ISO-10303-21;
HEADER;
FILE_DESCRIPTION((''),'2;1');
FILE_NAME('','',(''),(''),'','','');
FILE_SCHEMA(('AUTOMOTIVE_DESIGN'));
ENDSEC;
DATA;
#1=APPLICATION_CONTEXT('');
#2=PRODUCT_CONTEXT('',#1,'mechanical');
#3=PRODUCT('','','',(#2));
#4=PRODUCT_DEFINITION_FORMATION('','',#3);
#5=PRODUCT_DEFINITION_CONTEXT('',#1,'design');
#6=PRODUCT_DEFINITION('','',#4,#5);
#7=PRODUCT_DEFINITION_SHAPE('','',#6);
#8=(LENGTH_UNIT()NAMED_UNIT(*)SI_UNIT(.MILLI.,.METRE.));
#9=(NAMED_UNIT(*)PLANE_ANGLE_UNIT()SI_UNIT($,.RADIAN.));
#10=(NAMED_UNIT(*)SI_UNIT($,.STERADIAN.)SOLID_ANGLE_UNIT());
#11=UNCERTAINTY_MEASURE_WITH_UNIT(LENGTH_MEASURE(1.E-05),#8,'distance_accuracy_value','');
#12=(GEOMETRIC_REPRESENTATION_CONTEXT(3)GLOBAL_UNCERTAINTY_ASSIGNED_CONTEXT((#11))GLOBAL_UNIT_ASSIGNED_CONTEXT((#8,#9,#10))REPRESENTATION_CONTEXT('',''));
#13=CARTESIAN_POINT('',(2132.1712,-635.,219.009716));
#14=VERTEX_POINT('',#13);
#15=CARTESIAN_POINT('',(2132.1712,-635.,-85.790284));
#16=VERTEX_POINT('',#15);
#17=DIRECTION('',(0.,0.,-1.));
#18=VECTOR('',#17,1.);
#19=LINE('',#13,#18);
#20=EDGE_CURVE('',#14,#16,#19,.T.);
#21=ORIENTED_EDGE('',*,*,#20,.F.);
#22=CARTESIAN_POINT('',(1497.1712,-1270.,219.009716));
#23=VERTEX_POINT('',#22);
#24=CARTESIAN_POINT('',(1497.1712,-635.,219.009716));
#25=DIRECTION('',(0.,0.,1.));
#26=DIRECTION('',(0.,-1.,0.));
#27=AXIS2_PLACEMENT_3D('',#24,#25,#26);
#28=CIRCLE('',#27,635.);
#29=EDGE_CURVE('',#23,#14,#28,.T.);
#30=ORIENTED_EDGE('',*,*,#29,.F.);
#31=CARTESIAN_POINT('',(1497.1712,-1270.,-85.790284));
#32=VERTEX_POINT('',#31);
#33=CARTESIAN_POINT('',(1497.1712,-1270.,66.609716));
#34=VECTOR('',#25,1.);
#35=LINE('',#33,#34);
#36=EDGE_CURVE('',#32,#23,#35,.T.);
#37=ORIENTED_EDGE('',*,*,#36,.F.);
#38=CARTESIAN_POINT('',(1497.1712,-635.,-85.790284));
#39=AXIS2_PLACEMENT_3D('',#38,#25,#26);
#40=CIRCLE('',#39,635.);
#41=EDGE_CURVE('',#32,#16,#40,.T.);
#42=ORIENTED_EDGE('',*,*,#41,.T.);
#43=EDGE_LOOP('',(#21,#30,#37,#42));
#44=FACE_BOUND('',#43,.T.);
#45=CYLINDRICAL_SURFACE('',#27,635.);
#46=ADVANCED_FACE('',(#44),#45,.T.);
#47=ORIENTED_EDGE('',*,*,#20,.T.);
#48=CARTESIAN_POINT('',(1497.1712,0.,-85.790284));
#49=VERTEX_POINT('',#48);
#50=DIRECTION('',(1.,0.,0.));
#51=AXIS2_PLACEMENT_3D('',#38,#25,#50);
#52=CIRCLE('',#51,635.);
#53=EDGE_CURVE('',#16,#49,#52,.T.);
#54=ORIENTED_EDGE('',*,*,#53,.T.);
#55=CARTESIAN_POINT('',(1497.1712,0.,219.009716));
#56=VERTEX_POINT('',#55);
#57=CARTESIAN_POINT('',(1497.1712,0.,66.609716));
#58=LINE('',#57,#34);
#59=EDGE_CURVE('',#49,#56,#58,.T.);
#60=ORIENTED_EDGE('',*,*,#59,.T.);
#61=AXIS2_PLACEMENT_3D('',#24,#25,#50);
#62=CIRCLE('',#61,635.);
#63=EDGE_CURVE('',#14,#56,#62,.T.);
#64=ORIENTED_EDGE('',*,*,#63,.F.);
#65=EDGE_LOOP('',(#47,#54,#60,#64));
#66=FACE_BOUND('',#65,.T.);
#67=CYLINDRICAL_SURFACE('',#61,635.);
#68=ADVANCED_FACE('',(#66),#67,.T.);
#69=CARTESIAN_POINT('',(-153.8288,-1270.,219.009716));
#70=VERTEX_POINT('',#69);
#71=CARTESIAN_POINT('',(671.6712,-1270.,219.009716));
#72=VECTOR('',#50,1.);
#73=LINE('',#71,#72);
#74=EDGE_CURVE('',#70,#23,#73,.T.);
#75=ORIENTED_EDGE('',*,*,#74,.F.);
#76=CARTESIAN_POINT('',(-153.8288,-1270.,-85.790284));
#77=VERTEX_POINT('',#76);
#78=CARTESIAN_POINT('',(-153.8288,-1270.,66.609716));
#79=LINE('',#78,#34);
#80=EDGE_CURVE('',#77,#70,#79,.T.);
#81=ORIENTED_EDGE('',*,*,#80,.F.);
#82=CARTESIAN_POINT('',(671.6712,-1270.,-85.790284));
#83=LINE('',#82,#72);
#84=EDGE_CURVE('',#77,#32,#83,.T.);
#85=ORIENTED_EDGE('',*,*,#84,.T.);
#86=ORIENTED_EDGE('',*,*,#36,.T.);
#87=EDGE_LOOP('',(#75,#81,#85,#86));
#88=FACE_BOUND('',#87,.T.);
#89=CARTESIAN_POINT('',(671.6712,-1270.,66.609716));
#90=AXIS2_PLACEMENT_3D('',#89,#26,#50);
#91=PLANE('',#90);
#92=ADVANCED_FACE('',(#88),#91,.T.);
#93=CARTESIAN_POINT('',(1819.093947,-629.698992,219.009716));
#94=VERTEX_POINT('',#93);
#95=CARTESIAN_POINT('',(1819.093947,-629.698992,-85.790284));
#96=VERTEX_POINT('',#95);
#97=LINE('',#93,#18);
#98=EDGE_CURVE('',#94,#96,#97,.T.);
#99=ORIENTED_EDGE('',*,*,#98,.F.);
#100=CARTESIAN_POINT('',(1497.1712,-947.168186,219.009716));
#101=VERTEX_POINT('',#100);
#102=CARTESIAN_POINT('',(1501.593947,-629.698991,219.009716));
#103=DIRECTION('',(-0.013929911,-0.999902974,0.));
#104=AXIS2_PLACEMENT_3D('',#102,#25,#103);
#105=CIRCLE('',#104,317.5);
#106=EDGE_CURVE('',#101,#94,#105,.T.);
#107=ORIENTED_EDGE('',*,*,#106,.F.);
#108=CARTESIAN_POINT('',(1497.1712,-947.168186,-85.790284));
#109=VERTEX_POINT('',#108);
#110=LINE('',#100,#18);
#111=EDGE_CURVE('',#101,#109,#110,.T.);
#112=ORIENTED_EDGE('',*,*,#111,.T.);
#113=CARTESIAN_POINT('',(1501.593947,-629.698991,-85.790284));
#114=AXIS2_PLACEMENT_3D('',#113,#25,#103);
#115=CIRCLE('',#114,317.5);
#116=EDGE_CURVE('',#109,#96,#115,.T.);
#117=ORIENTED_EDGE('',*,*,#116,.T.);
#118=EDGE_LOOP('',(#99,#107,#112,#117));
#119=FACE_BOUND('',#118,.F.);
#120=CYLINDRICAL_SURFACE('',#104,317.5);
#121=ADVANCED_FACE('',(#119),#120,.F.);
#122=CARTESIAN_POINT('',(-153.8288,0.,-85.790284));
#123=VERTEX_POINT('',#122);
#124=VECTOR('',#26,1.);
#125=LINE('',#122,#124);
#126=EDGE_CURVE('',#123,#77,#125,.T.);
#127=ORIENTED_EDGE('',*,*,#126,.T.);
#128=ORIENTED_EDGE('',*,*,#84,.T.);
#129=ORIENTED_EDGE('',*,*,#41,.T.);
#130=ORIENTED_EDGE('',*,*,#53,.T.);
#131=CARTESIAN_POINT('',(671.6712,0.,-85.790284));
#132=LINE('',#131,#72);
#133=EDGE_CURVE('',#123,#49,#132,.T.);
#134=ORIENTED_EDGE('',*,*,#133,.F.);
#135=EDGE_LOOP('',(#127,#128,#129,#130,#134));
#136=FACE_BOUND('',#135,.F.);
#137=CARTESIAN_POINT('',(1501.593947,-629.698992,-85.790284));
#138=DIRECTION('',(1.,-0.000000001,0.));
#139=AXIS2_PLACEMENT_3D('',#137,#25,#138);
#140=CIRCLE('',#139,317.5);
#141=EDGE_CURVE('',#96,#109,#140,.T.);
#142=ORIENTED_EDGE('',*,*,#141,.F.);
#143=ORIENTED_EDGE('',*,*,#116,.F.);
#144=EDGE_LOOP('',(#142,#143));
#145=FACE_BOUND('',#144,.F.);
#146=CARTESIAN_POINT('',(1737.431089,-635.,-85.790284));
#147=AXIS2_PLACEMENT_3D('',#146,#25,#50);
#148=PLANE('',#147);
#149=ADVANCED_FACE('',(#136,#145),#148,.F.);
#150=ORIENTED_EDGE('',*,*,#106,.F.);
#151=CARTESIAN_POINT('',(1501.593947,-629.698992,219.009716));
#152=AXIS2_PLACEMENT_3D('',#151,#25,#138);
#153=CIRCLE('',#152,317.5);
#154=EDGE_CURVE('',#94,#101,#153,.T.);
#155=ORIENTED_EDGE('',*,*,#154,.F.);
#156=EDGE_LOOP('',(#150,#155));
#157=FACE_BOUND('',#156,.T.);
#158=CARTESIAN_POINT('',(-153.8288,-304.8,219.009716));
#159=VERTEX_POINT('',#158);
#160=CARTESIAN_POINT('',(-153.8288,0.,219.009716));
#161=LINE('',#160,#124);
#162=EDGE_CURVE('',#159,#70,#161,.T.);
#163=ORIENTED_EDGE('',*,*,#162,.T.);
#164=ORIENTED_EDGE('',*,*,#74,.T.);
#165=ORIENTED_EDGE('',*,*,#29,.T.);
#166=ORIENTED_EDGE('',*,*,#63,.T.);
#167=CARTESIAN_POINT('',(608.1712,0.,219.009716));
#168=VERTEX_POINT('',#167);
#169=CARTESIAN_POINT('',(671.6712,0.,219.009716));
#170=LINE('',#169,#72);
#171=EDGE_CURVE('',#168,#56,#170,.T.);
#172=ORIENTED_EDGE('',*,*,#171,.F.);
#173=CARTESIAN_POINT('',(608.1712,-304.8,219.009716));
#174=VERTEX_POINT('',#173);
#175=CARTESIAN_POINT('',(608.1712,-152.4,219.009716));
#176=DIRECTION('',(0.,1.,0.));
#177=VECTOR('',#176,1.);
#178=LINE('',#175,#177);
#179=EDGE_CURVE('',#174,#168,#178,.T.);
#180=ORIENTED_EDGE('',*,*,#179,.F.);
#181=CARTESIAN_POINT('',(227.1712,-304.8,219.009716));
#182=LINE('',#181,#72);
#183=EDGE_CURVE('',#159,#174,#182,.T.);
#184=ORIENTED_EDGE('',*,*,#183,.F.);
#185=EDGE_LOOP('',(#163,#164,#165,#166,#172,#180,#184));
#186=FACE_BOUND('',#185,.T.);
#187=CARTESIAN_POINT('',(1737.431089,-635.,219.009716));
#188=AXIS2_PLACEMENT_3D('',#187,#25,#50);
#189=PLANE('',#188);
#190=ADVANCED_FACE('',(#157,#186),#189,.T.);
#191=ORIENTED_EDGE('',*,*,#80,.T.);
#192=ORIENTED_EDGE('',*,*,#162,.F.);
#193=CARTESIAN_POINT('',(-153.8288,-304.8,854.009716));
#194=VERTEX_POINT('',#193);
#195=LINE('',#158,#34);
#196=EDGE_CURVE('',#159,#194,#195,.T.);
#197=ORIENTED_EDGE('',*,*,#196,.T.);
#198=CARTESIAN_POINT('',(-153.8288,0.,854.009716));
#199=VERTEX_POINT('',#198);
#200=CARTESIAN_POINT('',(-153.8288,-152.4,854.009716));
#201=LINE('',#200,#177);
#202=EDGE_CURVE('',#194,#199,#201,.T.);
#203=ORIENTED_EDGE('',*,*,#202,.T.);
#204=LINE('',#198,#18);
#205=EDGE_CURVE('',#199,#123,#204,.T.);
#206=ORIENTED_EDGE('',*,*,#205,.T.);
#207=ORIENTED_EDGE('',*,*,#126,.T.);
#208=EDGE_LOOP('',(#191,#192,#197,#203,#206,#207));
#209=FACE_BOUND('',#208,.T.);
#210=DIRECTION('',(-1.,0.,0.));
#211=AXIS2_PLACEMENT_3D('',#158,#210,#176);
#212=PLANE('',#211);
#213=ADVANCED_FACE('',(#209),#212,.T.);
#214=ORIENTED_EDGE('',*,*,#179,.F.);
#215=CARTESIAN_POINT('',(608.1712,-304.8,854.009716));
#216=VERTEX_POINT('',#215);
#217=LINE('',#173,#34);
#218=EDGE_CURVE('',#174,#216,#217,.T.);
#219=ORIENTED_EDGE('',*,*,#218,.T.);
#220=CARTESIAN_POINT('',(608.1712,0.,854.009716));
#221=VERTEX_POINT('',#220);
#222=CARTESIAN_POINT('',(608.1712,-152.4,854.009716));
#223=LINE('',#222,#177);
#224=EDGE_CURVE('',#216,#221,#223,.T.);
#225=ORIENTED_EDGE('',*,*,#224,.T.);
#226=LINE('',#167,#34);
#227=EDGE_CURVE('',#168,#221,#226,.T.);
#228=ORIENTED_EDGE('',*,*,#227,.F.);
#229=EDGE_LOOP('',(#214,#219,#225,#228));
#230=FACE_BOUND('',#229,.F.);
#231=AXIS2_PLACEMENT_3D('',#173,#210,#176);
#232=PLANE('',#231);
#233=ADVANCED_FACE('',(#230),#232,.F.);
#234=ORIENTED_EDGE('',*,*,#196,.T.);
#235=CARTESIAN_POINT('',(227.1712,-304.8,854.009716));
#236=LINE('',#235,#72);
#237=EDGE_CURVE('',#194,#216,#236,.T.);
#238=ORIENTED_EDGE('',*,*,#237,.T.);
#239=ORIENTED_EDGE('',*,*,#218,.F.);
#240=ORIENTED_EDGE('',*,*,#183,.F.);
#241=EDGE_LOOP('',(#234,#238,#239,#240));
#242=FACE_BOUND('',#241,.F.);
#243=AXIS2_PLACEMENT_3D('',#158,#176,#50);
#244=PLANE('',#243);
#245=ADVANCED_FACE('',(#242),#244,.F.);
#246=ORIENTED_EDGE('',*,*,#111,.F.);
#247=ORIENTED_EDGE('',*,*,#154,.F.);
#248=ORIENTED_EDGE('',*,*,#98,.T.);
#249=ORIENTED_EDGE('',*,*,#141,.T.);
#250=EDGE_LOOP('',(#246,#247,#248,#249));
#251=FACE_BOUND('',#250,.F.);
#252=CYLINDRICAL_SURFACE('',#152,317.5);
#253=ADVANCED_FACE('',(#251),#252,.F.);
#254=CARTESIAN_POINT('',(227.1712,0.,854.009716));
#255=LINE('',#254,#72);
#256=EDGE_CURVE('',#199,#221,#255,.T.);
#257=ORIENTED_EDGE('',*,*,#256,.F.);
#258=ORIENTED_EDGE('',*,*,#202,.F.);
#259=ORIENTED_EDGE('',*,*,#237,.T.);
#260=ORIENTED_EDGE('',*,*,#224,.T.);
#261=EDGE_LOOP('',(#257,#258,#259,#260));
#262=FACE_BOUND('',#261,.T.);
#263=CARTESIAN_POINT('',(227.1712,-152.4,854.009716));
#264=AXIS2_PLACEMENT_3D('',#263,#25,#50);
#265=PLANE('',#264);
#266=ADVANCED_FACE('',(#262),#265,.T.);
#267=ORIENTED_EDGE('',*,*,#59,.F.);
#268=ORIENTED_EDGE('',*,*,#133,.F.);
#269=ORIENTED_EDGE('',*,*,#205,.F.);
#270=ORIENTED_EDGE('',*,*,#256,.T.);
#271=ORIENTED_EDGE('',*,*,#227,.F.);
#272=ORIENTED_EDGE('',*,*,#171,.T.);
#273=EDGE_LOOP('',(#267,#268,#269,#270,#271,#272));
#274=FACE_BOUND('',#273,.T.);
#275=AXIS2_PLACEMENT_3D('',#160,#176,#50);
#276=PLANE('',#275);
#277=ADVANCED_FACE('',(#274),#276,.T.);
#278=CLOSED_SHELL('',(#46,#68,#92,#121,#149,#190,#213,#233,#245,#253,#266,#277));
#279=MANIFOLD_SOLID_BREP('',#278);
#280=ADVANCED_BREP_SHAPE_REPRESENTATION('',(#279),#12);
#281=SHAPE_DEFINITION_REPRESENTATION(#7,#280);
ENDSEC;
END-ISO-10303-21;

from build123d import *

# Parameters (mm, degrees)
F0_W     = 1651
F0_H     = 304.8
F1_DEPTH = 1270
F2_W     = 762
F2_H     = 304.8
F3_DEPTH = 635
F5_DEPTH = 304.8
F8_DEPTH = 576.58


with BuildPart() as f1:
    # F0 (on Front) → F1 (new body)
    with BuildSketch(Plane.XZ):
        with Locations((671.6712, 66.609716)):
            Rectangle(F0_W, F0_H)
    extrude(amount=F1_DEPTH)

    # F2 (on face) → F3 (join)
    with BuildSketch(Plane.XY.offset(219.009716)):
        with Locations((227.1712, -152.4)):
            Rectangle(F2_W, F2_H)
    extrude(amount=F3_DEPTH)

    # F4 (on face) → F5 (join)
    with BuildSketch(Plane.XY.offset(219.009716)):
        with BuildLine():
            ThreePointArc((1497.1712, -1270), (1946.184006, -1084.012806), (2132.1712, -635))
            ThreePointArc((2132.1712, -635), (1946.184006, -185.987194), (1497.1712, 0))
            Line((1497.1712, 0), (1497.1712, -1270))
        make_face()
    extrude(amount=-F5_DEPTH)

    # F7 (on face) → F8 (cut)
    with BuildSketch(Plane.XY.offset(219.009716)):
        with BuildLine():
            ThreePointArc((1497.1712, -947.168186), (1724.531189, -855.763664), (1819.093947, -629.698992))
            ThreePointArc((1819.093947, -629.698992), (1278.656705, -403.634319), (1497.1712, -947.168186))
        make_face()
    extrude(amount=-F8_DEPTH, mode=Mode.SUBTRACT)


solid = f1.part
